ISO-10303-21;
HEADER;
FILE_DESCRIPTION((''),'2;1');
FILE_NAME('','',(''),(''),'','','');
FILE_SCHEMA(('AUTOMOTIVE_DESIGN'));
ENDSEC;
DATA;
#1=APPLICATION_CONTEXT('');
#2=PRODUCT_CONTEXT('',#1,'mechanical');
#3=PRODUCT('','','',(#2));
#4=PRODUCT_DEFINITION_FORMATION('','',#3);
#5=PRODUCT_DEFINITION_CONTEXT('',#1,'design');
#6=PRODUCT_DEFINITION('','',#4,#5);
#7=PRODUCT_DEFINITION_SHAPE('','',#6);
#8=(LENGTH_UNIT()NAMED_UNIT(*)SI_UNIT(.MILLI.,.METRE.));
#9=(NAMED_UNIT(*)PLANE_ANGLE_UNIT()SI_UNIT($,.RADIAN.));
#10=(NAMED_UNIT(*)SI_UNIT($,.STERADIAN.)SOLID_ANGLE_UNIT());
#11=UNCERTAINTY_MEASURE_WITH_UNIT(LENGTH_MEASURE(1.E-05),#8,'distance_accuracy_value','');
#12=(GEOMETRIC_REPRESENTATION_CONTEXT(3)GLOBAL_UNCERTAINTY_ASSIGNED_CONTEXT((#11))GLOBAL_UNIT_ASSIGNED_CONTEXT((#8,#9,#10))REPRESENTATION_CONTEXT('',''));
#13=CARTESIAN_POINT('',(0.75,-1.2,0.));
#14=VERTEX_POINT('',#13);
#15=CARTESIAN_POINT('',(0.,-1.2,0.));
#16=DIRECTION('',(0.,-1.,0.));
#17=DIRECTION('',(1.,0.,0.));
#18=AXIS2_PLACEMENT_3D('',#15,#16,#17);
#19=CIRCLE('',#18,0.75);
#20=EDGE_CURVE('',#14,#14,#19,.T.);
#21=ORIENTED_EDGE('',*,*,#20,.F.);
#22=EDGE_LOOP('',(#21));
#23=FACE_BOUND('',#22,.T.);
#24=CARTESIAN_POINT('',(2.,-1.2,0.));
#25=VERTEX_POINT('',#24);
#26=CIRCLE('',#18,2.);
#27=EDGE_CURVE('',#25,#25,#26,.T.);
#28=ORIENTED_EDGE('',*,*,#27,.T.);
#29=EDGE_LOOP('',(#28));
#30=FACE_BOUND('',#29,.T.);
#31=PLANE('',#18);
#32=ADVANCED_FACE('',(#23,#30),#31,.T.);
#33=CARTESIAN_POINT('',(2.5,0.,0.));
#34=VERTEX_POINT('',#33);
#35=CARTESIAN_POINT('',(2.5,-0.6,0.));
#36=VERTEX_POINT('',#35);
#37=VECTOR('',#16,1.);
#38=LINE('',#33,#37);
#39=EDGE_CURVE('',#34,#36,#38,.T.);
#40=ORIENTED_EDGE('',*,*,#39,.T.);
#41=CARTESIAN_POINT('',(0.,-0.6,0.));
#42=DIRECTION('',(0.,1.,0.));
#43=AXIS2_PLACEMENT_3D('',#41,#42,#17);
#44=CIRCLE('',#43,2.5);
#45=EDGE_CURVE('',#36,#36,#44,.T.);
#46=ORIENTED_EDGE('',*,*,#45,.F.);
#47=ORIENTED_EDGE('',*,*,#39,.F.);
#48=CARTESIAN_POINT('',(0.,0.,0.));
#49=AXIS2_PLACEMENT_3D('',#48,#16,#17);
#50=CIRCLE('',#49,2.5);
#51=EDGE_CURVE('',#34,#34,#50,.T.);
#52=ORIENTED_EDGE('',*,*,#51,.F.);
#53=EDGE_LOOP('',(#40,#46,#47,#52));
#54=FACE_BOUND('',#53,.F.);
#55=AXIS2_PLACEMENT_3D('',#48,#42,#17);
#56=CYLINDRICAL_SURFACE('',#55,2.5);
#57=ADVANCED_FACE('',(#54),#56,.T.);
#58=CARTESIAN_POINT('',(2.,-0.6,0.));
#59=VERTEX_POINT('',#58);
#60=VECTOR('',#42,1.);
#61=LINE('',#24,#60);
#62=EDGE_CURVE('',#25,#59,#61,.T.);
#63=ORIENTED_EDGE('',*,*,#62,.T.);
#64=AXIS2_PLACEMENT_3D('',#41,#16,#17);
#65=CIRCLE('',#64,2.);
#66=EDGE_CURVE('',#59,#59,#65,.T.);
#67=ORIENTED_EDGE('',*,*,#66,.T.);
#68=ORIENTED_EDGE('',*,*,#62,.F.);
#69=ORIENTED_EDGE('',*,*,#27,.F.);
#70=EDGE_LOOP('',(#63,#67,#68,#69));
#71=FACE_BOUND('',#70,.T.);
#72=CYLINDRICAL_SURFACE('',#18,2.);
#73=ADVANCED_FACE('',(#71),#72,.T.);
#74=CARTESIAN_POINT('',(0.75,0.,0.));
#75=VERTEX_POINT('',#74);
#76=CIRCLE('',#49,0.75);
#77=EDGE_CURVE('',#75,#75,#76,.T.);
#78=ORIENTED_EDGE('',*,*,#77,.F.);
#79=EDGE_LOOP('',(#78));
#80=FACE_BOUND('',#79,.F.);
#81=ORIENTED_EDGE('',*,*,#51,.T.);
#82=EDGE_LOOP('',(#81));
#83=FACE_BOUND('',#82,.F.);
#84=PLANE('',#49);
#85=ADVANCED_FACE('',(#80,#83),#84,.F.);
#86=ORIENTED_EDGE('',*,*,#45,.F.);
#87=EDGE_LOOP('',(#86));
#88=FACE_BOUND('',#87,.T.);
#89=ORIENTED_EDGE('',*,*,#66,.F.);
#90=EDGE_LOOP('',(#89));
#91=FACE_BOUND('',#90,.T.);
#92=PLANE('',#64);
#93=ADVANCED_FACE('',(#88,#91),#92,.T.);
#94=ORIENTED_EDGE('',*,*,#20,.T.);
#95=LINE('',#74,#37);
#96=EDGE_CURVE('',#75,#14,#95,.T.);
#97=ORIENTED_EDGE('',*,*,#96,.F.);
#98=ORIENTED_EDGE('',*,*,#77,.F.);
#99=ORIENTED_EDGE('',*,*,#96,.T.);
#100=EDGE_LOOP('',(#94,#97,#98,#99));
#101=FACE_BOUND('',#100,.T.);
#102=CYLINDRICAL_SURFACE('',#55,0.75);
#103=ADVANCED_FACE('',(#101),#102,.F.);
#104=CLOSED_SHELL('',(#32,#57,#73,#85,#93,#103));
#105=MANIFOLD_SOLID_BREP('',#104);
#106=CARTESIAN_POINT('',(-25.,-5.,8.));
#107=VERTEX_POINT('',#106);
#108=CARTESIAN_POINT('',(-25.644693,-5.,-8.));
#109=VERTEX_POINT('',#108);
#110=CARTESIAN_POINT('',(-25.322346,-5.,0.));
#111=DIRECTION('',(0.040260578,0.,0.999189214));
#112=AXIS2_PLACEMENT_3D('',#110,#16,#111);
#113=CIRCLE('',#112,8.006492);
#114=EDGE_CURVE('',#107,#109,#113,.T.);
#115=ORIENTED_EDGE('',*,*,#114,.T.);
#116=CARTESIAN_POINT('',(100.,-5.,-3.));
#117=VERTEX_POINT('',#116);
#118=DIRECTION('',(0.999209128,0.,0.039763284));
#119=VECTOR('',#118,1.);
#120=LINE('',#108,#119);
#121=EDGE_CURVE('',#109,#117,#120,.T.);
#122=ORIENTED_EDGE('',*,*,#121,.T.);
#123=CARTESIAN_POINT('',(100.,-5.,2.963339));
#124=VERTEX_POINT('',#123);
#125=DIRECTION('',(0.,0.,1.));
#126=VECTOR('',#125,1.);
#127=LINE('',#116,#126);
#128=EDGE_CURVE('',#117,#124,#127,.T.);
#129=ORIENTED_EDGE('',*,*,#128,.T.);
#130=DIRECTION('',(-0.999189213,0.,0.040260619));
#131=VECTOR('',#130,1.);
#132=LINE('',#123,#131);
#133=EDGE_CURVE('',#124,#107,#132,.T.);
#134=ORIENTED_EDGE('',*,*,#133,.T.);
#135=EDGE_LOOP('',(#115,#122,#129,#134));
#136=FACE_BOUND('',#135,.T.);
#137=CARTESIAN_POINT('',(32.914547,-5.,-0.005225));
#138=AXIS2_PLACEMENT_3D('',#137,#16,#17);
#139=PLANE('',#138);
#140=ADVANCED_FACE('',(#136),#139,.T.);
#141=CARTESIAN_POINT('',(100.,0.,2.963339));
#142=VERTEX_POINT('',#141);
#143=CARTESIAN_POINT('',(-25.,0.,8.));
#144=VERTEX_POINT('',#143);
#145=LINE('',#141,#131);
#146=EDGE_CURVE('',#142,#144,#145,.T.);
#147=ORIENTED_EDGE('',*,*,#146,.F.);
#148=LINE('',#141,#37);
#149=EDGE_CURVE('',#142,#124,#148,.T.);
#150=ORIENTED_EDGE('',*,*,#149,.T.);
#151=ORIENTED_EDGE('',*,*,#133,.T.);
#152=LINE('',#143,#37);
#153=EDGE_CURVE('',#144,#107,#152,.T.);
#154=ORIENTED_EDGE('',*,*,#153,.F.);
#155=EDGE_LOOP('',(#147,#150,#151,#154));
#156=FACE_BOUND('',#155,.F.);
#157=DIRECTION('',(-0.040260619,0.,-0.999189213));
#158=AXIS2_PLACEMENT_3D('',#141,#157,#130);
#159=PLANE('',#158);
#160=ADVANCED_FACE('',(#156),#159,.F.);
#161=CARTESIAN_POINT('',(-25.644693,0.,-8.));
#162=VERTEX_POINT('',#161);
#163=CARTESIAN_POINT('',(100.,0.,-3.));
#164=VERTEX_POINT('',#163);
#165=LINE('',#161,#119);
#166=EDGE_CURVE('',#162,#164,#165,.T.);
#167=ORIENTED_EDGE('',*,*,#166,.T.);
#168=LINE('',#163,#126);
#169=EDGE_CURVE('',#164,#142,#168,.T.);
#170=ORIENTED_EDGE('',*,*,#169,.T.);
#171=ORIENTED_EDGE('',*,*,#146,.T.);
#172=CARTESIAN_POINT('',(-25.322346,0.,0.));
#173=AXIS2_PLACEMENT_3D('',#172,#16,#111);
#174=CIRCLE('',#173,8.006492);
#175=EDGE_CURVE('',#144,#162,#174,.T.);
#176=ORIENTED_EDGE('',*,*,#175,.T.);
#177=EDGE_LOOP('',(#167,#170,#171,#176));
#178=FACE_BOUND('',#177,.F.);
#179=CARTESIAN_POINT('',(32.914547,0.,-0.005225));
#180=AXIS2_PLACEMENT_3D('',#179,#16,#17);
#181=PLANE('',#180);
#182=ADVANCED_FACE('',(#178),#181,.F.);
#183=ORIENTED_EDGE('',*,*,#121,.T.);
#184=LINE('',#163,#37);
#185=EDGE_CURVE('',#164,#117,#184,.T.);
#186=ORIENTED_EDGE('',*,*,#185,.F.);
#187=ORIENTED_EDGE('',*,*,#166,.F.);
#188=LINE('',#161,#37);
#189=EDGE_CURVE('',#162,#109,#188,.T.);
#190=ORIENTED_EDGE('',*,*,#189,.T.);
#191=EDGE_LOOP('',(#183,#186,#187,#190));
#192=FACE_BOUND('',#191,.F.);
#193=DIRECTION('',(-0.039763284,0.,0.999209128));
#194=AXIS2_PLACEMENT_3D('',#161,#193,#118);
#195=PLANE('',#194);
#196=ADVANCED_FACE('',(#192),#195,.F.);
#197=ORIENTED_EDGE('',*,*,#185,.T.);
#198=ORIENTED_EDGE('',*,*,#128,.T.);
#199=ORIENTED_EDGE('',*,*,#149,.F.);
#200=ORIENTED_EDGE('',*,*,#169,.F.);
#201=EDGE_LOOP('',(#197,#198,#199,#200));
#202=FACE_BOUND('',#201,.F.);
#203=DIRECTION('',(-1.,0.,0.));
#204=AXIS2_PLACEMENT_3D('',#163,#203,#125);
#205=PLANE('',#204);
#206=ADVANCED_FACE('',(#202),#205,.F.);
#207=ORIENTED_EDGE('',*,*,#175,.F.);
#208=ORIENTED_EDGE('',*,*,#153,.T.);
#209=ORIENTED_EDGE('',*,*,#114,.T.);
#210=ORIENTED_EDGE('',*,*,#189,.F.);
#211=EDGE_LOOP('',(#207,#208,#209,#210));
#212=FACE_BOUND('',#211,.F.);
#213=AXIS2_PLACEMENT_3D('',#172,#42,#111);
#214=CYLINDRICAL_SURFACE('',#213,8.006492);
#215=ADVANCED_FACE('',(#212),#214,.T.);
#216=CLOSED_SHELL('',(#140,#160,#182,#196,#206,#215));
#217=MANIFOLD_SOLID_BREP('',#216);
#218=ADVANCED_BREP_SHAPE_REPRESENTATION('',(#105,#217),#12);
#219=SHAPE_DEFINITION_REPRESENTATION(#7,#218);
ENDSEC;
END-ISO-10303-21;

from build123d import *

# Parameters (mm, degrees)
F0_R     = 2.5
F0_R_2   = 0.75
F1_DEPTH = 1.2
F2_R     = 4.21648
F2_R_2   = 2.5
F2_R_3   = 2
F3_DEPTH = 0.6
F6_DEPTH = 5


with BuildPart() as f1:
    # F0 (on Front) → F1 (new body)
    with BuildSketch(Plane.XZ):
        Circle(F0_R)
        Circle(F0_R_2, mode=Mode.SUBTRACT)
    extrude(amount=F1_DEPTH)

    # F2 (on face) → F3 (cut)
    with BuildSketch(Plane.XZ.offset(1.2)):
        Circle(F2_R)
        Circle(F2_R_2, mode=Mode.SUBTRACT)
        Circle(F2_R_2)
        Circle(F2_R_3, mode=Mode.SUBTRACT)
    extrude(amount=-F3_DEPTH, mode=Mode.SUBTRACT)


with BuildPart() as f4_1:
    # F4: copy of F1
    add(f1.part)


with BuildPart() as f6:
    # F5 (on Front) → F6 (new body)
    with BuildSketch(Plane.XZ):
        with BuildLine():
            Line((100, 2.963339), (-25, 8))
            ThreePointArc((-25, 8), (-33.322346, 0.322346), (-25.644693, -8))
            Line((-25.644693, -8), (100, -3))
            Line((100, -3), (100, 2.963339))
        make_face()
    extrude(amount=F6_DEPTH)


solid = Compound([f1.part, f6.part])
